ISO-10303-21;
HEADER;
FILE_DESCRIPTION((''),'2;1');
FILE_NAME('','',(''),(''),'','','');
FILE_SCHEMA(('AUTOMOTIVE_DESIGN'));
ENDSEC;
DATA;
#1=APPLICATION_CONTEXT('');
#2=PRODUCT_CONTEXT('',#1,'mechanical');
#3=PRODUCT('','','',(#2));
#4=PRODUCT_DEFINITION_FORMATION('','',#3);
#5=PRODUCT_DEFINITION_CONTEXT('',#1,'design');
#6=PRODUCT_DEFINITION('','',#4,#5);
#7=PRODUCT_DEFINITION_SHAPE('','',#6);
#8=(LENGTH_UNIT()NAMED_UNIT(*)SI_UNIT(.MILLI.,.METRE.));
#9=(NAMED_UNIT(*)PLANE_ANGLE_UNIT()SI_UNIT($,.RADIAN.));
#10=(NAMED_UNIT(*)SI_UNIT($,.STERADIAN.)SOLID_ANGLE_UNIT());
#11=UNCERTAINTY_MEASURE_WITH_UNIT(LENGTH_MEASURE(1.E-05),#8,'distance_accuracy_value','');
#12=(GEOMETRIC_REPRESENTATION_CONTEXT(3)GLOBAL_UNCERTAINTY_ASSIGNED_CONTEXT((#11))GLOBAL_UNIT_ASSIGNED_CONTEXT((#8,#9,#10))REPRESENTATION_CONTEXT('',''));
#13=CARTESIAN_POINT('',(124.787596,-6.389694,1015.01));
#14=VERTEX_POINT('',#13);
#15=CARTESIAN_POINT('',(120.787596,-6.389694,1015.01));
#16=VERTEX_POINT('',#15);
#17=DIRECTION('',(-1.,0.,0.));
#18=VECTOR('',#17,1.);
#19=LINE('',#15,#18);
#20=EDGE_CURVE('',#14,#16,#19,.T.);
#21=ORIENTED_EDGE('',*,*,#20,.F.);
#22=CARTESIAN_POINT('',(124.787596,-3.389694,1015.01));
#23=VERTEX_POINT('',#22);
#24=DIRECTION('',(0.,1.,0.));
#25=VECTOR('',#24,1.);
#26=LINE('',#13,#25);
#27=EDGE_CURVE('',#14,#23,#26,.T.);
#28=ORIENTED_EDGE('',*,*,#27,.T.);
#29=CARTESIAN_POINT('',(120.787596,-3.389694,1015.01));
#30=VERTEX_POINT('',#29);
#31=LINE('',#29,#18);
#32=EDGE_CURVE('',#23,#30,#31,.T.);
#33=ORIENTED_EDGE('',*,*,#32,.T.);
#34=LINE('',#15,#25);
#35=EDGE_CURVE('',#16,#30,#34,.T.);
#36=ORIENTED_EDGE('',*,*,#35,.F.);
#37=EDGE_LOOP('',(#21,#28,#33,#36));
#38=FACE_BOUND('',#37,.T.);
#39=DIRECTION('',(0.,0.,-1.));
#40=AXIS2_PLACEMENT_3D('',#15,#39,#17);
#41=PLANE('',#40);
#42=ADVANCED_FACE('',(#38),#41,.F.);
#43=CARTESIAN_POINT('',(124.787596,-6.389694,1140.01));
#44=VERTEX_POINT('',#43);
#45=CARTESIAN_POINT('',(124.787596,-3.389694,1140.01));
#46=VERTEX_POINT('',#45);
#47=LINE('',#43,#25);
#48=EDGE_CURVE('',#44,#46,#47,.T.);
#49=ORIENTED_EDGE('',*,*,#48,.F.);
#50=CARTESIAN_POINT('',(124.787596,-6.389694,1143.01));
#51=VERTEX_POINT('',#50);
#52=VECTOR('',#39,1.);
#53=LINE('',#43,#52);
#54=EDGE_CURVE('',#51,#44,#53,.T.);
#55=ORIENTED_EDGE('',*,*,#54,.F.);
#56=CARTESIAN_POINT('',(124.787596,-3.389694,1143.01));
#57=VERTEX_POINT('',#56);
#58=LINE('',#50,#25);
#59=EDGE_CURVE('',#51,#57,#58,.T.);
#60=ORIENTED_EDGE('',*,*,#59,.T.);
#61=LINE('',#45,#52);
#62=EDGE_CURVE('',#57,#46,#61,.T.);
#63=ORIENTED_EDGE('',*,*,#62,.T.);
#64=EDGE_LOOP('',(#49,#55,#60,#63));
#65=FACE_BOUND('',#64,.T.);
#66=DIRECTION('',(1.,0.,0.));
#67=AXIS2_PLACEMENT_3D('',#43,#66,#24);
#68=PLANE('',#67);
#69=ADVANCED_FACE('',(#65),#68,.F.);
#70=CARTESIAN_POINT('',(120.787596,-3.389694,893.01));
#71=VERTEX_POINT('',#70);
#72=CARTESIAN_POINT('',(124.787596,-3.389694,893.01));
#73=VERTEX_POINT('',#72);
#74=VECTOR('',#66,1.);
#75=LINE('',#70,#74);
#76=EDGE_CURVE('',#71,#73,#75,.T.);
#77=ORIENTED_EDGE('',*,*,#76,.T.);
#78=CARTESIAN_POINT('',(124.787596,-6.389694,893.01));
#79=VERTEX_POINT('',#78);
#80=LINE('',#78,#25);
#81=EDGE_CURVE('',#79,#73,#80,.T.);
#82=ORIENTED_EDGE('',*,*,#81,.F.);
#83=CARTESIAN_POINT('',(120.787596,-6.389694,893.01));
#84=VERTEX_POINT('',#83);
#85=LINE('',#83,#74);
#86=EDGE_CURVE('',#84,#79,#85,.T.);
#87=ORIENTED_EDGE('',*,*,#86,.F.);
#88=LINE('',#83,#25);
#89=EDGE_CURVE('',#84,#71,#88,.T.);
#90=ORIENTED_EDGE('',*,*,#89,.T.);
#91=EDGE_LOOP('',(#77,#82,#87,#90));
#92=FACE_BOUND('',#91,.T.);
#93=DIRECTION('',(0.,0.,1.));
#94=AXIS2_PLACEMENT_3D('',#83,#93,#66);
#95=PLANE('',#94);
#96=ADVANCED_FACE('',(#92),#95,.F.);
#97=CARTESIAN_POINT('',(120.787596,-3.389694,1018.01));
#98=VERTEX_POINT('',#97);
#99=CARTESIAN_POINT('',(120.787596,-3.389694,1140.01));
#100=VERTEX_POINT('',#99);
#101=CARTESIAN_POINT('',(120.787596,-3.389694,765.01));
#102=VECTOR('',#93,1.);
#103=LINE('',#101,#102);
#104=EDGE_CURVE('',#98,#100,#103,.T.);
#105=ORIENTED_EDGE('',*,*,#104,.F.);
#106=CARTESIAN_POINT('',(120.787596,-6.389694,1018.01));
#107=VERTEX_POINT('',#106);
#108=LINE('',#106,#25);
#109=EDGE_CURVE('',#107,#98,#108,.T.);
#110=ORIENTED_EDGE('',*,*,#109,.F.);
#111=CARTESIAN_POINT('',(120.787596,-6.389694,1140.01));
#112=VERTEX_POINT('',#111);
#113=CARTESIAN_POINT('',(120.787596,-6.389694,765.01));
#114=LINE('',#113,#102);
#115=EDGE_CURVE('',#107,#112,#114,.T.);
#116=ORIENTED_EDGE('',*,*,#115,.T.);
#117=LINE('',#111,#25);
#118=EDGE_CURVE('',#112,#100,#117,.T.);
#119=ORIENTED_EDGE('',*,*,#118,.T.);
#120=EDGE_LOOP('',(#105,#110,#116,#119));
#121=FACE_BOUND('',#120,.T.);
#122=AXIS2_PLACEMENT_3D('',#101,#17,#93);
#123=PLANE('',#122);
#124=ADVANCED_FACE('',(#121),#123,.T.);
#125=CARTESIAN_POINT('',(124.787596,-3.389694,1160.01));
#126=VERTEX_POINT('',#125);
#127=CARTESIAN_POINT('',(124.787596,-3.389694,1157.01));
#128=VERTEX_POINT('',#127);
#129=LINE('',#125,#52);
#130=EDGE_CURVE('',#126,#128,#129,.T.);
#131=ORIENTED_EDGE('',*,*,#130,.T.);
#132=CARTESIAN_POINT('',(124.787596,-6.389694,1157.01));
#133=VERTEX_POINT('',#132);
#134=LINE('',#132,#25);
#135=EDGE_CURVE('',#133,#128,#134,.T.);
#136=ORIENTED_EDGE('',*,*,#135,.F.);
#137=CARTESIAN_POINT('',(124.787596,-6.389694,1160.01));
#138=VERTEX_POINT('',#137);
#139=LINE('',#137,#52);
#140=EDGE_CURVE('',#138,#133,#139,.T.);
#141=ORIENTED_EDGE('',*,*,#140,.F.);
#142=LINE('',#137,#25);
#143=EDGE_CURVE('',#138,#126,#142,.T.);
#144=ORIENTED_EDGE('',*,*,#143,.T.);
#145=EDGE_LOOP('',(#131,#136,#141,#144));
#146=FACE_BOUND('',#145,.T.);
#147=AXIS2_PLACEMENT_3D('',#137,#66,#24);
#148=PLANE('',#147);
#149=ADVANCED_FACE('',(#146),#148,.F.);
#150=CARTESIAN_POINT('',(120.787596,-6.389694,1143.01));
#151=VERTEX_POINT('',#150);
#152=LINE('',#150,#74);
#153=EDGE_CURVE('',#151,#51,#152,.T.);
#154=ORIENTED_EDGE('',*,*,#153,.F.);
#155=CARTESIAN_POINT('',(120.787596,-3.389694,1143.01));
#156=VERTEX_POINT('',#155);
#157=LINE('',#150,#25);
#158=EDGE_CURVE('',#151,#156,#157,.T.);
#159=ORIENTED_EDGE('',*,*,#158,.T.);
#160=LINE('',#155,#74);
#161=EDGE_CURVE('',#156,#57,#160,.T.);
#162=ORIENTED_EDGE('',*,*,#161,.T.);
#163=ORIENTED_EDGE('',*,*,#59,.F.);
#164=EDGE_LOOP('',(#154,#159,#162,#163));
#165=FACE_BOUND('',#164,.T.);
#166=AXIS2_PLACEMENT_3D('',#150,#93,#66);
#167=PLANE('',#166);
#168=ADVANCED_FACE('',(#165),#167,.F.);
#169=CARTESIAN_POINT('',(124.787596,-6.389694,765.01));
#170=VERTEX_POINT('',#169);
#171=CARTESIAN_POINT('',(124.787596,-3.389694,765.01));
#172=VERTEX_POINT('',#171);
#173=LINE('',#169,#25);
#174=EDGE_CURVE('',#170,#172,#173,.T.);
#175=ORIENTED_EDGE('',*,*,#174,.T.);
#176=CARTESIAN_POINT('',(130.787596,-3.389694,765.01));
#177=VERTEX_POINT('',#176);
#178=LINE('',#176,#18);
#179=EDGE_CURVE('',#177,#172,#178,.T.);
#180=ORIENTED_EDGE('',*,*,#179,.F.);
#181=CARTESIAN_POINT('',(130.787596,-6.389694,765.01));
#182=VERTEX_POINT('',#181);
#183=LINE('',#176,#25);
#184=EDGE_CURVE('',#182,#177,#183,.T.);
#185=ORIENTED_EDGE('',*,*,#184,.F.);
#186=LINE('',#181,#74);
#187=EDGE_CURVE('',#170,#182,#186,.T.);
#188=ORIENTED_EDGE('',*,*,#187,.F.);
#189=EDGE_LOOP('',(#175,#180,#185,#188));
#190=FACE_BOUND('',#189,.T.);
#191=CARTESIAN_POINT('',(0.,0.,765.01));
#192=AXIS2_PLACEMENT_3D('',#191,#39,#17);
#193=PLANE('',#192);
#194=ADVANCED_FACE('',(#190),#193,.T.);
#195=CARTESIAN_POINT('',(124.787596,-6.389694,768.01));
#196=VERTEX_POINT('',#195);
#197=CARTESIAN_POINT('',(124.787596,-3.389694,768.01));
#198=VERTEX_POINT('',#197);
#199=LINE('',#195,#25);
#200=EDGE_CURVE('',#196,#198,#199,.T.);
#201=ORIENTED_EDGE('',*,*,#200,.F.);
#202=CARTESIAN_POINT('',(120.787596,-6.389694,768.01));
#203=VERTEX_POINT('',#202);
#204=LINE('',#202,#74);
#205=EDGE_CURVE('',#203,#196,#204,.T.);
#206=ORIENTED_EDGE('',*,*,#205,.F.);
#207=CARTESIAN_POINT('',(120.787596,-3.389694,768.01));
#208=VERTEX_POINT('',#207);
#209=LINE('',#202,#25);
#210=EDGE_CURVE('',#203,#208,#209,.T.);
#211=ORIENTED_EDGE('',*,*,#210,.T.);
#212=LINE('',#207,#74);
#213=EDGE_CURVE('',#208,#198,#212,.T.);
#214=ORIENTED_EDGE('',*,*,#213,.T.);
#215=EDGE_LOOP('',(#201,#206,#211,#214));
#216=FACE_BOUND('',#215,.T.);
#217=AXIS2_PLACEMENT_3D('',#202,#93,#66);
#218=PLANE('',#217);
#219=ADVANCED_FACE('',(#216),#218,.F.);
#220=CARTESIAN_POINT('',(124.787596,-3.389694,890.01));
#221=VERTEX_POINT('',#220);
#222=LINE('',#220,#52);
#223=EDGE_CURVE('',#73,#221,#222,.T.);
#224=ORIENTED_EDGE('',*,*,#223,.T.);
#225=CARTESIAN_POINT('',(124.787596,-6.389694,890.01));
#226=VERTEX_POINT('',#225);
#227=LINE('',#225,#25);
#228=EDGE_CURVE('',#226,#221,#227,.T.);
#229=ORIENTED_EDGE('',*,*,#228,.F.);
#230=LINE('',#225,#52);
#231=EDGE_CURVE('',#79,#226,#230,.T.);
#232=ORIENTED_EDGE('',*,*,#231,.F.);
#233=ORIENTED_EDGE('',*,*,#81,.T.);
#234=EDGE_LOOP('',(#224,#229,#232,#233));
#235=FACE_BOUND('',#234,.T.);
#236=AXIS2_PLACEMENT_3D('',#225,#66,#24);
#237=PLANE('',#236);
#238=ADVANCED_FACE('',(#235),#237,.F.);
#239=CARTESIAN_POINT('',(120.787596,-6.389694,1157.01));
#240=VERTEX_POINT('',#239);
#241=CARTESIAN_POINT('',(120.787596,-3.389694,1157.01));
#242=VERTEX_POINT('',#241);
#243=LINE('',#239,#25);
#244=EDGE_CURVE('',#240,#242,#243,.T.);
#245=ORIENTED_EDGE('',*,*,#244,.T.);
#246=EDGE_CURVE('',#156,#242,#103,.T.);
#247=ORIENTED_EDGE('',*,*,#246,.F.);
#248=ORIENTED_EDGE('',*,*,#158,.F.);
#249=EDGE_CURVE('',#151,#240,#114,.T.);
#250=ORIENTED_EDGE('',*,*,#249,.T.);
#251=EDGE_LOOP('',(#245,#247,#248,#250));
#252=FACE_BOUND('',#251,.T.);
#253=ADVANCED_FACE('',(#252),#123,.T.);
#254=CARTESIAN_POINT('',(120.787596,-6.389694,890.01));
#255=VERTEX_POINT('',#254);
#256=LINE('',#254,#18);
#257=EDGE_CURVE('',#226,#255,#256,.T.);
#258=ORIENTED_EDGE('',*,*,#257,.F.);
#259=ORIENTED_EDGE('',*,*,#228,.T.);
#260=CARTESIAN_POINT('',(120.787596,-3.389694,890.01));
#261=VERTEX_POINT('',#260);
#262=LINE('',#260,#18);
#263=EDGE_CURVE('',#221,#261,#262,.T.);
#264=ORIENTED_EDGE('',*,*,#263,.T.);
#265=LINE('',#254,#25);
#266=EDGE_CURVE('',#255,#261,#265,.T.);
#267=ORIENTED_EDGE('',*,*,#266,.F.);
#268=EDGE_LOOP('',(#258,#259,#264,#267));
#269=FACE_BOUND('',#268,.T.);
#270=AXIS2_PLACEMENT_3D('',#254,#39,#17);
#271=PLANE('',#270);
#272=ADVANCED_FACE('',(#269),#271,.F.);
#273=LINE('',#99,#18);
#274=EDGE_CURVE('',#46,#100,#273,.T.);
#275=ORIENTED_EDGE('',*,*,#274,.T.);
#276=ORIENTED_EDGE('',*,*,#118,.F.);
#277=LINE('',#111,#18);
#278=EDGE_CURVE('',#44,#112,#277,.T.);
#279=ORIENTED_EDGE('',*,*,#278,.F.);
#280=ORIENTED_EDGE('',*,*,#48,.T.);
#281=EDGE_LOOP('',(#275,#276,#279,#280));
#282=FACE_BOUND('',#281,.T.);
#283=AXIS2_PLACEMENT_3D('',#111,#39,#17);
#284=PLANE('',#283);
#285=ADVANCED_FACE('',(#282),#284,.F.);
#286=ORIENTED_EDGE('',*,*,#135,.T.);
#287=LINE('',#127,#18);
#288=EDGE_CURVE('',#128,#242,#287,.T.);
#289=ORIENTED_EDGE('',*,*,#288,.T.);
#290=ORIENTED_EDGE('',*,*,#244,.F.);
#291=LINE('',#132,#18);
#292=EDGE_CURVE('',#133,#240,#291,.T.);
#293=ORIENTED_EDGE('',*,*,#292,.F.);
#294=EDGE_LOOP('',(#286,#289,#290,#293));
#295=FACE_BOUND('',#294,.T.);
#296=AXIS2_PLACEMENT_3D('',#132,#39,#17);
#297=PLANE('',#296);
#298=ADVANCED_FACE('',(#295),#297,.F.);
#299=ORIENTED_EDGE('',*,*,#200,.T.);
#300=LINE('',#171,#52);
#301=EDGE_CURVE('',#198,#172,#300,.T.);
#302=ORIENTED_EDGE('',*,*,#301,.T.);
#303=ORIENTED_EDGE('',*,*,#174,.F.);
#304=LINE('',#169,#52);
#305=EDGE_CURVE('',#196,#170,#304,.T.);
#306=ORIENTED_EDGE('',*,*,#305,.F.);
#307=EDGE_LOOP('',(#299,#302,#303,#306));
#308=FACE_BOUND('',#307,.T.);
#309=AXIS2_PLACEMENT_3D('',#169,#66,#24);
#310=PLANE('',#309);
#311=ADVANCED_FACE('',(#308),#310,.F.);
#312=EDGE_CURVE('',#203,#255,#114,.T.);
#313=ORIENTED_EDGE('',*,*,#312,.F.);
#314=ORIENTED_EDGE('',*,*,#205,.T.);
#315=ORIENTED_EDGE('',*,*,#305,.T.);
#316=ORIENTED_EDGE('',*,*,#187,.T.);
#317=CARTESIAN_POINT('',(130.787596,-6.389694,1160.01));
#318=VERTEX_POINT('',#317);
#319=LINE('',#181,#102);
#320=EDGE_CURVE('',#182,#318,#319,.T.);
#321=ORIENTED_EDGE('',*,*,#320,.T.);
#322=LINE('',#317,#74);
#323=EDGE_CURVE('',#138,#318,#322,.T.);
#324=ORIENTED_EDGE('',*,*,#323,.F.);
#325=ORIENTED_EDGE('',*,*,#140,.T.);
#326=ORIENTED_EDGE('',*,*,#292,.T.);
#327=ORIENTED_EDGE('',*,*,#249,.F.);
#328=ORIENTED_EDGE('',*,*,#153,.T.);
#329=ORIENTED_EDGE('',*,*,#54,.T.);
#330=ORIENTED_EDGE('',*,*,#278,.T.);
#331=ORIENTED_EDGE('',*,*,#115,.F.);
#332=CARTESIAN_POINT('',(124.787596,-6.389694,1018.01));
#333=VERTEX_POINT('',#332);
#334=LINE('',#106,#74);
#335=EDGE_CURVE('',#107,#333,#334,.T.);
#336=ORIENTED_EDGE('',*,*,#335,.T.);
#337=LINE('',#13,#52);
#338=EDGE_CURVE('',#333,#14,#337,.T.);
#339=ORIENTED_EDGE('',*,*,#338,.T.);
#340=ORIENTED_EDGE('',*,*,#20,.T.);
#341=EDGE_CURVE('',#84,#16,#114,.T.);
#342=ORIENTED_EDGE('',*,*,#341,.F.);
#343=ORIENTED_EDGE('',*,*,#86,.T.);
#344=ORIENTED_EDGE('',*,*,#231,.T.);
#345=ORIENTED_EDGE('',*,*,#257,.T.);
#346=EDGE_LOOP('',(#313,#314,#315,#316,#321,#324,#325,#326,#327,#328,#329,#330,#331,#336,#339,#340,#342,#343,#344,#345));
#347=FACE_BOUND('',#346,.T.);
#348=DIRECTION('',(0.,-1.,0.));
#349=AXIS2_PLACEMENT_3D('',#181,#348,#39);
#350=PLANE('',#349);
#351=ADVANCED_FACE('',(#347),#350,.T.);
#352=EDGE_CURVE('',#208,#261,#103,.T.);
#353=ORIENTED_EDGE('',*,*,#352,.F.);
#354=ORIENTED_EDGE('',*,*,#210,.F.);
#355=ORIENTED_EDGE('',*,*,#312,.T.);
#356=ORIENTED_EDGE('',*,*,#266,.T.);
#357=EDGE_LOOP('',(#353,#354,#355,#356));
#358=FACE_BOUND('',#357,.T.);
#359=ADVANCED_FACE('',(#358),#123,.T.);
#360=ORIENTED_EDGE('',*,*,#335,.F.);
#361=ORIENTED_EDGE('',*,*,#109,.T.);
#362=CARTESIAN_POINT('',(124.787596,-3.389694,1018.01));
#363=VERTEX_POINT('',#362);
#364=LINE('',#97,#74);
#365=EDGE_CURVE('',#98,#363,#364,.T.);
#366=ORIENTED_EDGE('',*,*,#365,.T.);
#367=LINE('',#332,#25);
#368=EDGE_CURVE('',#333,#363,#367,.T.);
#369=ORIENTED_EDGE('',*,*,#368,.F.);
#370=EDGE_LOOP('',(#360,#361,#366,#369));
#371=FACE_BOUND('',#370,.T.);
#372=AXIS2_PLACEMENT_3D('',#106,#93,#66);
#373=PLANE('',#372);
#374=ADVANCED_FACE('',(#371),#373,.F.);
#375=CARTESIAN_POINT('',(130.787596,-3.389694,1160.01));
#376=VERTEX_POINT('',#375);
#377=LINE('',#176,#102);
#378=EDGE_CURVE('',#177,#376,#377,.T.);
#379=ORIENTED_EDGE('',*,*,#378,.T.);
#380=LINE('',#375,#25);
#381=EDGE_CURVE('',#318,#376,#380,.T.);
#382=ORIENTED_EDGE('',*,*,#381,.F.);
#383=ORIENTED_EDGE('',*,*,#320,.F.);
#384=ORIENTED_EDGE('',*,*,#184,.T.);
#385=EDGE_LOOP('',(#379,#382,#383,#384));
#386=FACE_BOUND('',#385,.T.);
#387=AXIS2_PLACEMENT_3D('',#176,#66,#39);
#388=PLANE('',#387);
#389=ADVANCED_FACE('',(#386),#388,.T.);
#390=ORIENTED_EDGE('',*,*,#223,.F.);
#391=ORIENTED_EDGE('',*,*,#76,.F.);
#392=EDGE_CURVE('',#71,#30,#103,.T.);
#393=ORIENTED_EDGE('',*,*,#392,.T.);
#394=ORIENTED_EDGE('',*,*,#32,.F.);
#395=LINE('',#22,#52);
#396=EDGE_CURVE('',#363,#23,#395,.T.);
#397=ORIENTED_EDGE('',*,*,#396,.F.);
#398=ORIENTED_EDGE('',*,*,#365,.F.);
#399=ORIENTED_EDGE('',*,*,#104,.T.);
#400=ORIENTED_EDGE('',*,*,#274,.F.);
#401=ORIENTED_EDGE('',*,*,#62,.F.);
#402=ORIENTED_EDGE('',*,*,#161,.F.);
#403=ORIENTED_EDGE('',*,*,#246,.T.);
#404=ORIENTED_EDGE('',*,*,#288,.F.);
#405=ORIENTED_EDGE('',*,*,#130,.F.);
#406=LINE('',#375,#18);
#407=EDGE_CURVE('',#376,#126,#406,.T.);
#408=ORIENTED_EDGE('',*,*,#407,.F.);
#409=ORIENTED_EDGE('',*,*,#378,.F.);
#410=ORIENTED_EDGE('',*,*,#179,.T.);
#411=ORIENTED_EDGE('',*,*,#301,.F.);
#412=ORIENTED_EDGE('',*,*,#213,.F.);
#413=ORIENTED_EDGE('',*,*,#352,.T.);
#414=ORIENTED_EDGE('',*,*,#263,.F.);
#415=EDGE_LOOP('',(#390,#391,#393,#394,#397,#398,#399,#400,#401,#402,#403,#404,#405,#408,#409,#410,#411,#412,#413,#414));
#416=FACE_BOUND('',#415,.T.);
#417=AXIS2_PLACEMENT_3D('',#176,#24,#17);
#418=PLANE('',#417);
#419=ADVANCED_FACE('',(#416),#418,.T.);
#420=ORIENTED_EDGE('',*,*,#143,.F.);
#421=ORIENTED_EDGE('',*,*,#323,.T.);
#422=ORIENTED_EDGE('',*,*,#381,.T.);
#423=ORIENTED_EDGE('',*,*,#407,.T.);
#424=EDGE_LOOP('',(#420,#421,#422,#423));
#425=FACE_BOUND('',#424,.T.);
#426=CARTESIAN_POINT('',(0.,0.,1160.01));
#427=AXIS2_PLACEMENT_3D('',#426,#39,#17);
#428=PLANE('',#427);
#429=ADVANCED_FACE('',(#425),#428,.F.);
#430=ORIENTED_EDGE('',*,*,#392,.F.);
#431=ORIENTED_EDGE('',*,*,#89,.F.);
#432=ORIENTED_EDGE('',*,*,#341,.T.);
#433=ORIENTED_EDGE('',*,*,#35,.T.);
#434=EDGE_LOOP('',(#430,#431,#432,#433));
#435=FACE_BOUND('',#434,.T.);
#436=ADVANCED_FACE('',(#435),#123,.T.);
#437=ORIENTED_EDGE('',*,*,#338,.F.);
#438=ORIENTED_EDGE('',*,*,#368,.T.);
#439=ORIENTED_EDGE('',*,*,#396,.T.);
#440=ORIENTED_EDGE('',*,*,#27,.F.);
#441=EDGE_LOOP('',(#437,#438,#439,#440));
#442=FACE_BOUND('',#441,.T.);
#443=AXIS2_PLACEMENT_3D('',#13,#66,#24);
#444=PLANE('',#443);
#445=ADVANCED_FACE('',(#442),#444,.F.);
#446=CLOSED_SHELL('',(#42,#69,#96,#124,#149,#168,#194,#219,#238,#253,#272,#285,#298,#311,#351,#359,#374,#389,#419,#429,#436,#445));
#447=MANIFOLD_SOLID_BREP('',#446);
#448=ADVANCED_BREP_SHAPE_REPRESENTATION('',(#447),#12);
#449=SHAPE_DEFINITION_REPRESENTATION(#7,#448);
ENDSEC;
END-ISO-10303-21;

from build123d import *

# Parameters (mm, degrees)
SKETCH_1_W          = 10
SKETCH_1_H          = 3
EXTRUDE_1_DEPTH     = 395
SKETCH_2_W          = 4
SKETCH_2_H          = 3
CUT_EXTRUDE_1_DEPTH = 1168.363523234


with BuildPart() as part:
    # 草图1 → 凸台-拉伸1 (new body)
    with BuildSketch(Plane.XY.offset(1160.01)):
        with Locations((125.787596038, -4.889694097)):
            Rectangle(SKETCH_1_W, SKETCH_1_H)
    extrude(amount=-EXTRUDE_1_DEPTH)

    # 草图2 → 切除-拉伸1 (cut, through all)
    with BuildSketch(Plane(origin=(0, -3.389694097, 0), x_dir=(1, 0, 0), z_dir=(0, 1, 0))):
        with Locations((122.787596038, -891.51)):
            Rectangle(SKETCH_2_W, SKETCH_2_H)
        with Locations((122.787596038, -766.51)):
            Rectangle(SKETCH_2_W, SKETCH_2_H)
        with Locations((122.787596038, -1016.51)):
            Rectangle(SKETCH_2_W, SKETCH_2_H)
        with Locations((122.787596038, -1141.51)):
            Rectangle(SKETCH_2_W, SKETCH_2_H)
        with Locations((122.787596038, -1158.51)):
            Rectangle(SKETCH_2_W, SKETCH_2_H)
    extrude(amount=-CUT_EXTRUDE_1_DEPTH, mode=Mode.SUBTRACT)


solid = part.part
